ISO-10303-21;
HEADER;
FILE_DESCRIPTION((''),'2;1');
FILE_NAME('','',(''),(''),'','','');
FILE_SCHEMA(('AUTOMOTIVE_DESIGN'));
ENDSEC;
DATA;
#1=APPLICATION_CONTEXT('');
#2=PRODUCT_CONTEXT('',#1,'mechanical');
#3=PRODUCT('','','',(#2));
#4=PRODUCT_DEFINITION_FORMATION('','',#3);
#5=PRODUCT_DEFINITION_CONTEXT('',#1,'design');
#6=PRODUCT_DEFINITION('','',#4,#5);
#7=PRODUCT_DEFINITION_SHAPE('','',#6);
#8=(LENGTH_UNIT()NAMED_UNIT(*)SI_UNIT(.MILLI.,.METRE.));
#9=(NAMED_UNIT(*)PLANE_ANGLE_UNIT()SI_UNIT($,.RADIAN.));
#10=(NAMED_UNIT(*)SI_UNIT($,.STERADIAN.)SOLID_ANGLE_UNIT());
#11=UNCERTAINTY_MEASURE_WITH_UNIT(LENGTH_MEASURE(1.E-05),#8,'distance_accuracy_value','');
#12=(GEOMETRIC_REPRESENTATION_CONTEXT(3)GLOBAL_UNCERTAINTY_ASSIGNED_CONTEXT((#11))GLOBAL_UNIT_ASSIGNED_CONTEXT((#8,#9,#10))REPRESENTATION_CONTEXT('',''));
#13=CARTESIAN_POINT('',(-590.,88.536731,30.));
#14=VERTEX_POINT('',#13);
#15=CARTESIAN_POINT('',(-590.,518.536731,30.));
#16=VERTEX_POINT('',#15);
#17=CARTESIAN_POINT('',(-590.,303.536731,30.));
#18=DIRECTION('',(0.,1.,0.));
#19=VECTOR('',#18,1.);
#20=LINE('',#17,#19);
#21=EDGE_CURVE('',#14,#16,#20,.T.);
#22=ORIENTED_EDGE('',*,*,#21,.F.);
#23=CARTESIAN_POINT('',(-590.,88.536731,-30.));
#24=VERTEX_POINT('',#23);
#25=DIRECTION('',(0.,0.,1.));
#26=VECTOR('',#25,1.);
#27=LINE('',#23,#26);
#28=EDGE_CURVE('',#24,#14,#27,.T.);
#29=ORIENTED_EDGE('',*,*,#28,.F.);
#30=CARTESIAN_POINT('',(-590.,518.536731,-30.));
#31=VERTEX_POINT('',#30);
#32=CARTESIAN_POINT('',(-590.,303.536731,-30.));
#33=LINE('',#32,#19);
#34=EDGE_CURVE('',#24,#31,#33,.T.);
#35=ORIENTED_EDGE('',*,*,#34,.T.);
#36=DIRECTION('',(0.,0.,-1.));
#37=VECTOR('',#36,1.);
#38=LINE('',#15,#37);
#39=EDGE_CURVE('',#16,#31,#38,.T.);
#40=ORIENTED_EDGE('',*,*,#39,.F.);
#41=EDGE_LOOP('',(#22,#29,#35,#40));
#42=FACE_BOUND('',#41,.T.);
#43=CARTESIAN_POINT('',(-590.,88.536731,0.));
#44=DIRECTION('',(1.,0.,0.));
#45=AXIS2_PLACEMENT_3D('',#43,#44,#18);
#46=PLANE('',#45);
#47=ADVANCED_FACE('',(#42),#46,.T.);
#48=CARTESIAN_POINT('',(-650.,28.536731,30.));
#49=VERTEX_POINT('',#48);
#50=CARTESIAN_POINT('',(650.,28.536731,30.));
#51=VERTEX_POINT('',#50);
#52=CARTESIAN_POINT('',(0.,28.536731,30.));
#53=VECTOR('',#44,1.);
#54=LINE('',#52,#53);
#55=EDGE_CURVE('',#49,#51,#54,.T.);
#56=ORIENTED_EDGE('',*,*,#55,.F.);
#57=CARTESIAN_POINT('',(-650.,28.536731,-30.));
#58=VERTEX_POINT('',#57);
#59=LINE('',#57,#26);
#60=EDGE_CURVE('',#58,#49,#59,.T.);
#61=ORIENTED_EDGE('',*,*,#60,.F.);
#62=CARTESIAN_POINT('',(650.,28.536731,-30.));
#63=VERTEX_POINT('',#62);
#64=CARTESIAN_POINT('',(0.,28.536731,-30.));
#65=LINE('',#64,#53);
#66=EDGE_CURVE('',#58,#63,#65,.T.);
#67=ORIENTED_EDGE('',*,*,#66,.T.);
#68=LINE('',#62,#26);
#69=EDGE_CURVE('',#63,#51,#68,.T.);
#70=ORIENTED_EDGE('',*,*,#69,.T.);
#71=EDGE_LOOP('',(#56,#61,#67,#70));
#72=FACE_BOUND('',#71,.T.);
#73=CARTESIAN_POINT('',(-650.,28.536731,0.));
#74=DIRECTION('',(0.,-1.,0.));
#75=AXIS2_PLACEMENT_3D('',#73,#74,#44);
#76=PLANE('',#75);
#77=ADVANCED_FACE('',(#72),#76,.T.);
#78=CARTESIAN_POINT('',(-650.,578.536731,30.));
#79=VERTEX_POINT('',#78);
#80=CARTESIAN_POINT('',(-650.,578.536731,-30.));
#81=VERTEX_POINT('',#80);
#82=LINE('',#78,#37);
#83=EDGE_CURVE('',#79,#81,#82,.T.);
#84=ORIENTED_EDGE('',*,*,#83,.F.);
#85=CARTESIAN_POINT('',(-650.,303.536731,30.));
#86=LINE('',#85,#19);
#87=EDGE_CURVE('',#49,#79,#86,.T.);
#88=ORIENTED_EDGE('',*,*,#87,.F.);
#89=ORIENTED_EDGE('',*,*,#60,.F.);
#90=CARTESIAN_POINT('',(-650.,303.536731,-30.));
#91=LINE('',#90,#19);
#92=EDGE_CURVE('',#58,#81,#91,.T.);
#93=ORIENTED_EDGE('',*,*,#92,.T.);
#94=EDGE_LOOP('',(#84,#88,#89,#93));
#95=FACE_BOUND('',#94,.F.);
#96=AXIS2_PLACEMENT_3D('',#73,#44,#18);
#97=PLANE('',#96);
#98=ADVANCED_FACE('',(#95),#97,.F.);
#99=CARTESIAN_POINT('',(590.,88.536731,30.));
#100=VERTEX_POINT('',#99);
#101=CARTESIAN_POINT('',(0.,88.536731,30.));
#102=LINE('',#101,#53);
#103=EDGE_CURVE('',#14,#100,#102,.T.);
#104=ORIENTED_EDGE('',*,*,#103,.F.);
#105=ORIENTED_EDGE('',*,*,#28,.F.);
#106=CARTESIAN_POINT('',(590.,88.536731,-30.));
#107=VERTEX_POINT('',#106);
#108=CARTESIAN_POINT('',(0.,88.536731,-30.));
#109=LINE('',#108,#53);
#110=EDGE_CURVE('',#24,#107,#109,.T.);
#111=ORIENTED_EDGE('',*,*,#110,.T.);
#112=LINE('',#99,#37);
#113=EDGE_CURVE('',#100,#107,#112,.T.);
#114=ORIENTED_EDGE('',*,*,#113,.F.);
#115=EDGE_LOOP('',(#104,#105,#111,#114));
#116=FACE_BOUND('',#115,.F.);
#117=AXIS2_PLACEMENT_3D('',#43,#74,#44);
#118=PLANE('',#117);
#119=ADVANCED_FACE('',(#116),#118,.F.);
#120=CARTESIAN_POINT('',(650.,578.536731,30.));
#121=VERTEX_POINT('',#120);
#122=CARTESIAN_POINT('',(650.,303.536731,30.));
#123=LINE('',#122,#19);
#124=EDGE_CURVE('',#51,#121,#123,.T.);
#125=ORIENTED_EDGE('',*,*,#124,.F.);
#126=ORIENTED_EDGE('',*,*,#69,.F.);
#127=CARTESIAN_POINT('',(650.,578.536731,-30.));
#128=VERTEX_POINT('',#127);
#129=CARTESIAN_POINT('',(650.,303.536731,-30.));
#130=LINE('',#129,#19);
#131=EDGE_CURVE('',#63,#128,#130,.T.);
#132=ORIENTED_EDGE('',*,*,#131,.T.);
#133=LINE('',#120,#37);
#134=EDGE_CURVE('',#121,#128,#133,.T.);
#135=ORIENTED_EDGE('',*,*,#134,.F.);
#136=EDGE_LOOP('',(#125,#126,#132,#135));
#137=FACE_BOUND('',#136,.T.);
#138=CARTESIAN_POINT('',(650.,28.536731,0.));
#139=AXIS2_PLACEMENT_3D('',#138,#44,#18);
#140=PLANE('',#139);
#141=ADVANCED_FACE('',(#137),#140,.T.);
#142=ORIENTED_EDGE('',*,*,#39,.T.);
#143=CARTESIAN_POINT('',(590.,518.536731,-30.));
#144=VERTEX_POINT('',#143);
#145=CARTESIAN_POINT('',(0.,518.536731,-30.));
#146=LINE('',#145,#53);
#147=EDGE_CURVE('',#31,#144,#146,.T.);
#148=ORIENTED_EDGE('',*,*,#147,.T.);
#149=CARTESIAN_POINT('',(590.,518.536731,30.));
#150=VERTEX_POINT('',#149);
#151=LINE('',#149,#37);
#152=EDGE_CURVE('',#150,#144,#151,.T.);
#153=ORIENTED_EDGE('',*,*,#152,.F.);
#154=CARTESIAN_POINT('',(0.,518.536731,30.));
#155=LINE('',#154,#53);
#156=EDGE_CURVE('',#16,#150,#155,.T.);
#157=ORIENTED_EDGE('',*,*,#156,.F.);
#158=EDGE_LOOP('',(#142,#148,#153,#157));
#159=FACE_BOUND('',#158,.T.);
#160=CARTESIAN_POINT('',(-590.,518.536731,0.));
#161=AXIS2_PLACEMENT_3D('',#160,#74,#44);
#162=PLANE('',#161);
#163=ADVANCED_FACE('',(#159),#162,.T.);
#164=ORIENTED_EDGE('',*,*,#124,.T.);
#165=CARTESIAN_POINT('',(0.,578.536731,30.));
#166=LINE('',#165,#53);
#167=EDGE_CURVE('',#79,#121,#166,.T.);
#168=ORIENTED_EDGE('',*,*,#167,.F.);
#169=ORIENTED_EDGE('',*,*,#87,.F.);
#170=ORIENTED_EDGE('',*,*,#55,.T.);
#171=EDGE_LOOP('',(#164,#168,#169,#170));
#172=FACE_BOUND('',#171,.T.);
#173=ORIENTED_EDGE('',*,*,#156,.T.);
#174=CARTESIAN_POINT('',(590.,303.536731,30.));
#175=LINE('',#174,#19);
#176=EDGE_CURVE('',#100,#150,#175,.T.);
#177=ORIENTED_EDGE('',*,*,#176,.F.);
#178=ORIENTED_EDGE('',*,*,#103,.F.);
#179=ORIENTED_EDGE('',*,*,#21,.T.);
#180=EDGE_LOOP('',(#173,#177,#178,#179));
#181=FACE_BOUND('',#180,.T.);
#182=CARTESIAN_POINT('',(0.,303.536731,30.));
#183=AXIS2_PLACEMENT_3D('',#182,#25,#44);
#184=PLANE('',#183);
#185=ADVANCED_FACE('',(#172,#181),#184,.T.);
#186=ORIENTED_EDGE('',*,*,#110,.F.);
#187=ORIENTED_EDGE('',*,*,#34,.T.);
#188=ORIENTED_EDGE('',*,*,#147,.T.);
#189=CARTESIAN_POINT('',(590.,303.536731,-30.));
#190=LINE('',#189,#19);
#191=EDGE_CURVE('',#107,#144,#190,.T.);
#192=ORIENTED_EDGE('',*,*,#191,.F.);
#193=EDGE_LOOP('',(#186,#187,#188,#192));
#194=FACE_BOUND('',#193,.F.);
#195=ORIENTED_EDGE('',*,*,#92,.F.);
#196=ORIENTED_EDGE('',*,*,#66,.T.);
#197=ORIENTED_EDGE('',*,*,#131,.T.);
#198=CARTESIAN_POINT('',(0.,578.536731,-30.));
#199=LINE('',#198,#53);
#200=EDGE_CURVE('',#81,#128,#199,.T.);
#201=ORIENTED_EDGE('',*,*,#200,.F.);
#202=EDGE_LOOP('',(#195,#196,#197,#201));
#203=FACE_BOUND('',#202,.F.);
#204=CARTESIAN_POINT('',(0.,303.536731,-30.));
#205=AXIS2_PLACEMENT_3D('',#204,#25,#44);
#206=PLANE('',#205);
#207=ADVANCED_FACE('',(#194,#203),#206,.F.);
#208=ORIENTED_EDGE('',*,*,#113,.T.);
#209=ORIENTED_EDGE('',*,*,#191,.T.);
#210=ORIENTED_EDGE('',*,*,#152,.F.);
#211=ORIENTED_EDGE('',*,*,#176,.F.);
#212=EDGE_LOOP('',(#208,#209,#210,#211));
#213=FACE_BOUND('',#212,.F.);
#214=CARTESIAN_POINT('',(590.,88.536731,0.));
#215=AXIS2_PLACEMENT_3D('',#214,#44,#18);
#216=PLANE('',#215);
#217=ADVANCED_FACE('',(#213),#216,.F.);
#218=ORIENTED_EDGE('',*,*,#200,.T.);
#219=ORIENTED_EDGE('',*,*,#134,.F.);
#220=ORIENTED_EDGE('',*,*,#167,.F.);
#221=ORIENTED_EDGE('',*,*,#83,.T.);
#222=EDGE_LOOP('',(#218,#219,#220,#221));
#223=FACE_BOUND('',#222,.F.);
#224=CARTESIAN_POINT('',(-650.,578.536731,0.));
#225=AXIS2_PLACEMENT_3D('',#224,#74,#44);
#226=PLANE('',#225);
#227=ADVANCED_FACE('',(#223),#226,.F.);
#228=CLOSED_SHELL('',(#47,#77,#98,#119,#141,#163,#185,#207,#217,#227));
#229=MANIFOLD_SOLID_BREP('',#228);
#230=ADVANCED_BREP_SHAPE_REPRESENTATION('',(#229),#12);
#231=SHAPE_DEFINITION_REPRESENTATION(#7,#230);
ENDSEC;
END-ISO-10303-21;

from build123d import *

# Parameters (mm, degrees)
F0_W     = 1300
F0_H     = 550
F0_W_2   = 1180
F0_H_2   = 430
F1_DEPTH = 30


with BuildPart() as f1:
    # F0 (on Top) → F1 (new body, symmetric)
    with BuildSketch(Plane.XY):
        with Locations((0, 303.536731)):
            Rectangle(F0_W, F0_H)
        with Locations((0, 303.536731)):
            Rectangle(F0_W_2, F0_H_2, mode=Mode.SUBTRACT)
    extrude(amount=F1_DEPTH, both=True)


solid = f1.part
